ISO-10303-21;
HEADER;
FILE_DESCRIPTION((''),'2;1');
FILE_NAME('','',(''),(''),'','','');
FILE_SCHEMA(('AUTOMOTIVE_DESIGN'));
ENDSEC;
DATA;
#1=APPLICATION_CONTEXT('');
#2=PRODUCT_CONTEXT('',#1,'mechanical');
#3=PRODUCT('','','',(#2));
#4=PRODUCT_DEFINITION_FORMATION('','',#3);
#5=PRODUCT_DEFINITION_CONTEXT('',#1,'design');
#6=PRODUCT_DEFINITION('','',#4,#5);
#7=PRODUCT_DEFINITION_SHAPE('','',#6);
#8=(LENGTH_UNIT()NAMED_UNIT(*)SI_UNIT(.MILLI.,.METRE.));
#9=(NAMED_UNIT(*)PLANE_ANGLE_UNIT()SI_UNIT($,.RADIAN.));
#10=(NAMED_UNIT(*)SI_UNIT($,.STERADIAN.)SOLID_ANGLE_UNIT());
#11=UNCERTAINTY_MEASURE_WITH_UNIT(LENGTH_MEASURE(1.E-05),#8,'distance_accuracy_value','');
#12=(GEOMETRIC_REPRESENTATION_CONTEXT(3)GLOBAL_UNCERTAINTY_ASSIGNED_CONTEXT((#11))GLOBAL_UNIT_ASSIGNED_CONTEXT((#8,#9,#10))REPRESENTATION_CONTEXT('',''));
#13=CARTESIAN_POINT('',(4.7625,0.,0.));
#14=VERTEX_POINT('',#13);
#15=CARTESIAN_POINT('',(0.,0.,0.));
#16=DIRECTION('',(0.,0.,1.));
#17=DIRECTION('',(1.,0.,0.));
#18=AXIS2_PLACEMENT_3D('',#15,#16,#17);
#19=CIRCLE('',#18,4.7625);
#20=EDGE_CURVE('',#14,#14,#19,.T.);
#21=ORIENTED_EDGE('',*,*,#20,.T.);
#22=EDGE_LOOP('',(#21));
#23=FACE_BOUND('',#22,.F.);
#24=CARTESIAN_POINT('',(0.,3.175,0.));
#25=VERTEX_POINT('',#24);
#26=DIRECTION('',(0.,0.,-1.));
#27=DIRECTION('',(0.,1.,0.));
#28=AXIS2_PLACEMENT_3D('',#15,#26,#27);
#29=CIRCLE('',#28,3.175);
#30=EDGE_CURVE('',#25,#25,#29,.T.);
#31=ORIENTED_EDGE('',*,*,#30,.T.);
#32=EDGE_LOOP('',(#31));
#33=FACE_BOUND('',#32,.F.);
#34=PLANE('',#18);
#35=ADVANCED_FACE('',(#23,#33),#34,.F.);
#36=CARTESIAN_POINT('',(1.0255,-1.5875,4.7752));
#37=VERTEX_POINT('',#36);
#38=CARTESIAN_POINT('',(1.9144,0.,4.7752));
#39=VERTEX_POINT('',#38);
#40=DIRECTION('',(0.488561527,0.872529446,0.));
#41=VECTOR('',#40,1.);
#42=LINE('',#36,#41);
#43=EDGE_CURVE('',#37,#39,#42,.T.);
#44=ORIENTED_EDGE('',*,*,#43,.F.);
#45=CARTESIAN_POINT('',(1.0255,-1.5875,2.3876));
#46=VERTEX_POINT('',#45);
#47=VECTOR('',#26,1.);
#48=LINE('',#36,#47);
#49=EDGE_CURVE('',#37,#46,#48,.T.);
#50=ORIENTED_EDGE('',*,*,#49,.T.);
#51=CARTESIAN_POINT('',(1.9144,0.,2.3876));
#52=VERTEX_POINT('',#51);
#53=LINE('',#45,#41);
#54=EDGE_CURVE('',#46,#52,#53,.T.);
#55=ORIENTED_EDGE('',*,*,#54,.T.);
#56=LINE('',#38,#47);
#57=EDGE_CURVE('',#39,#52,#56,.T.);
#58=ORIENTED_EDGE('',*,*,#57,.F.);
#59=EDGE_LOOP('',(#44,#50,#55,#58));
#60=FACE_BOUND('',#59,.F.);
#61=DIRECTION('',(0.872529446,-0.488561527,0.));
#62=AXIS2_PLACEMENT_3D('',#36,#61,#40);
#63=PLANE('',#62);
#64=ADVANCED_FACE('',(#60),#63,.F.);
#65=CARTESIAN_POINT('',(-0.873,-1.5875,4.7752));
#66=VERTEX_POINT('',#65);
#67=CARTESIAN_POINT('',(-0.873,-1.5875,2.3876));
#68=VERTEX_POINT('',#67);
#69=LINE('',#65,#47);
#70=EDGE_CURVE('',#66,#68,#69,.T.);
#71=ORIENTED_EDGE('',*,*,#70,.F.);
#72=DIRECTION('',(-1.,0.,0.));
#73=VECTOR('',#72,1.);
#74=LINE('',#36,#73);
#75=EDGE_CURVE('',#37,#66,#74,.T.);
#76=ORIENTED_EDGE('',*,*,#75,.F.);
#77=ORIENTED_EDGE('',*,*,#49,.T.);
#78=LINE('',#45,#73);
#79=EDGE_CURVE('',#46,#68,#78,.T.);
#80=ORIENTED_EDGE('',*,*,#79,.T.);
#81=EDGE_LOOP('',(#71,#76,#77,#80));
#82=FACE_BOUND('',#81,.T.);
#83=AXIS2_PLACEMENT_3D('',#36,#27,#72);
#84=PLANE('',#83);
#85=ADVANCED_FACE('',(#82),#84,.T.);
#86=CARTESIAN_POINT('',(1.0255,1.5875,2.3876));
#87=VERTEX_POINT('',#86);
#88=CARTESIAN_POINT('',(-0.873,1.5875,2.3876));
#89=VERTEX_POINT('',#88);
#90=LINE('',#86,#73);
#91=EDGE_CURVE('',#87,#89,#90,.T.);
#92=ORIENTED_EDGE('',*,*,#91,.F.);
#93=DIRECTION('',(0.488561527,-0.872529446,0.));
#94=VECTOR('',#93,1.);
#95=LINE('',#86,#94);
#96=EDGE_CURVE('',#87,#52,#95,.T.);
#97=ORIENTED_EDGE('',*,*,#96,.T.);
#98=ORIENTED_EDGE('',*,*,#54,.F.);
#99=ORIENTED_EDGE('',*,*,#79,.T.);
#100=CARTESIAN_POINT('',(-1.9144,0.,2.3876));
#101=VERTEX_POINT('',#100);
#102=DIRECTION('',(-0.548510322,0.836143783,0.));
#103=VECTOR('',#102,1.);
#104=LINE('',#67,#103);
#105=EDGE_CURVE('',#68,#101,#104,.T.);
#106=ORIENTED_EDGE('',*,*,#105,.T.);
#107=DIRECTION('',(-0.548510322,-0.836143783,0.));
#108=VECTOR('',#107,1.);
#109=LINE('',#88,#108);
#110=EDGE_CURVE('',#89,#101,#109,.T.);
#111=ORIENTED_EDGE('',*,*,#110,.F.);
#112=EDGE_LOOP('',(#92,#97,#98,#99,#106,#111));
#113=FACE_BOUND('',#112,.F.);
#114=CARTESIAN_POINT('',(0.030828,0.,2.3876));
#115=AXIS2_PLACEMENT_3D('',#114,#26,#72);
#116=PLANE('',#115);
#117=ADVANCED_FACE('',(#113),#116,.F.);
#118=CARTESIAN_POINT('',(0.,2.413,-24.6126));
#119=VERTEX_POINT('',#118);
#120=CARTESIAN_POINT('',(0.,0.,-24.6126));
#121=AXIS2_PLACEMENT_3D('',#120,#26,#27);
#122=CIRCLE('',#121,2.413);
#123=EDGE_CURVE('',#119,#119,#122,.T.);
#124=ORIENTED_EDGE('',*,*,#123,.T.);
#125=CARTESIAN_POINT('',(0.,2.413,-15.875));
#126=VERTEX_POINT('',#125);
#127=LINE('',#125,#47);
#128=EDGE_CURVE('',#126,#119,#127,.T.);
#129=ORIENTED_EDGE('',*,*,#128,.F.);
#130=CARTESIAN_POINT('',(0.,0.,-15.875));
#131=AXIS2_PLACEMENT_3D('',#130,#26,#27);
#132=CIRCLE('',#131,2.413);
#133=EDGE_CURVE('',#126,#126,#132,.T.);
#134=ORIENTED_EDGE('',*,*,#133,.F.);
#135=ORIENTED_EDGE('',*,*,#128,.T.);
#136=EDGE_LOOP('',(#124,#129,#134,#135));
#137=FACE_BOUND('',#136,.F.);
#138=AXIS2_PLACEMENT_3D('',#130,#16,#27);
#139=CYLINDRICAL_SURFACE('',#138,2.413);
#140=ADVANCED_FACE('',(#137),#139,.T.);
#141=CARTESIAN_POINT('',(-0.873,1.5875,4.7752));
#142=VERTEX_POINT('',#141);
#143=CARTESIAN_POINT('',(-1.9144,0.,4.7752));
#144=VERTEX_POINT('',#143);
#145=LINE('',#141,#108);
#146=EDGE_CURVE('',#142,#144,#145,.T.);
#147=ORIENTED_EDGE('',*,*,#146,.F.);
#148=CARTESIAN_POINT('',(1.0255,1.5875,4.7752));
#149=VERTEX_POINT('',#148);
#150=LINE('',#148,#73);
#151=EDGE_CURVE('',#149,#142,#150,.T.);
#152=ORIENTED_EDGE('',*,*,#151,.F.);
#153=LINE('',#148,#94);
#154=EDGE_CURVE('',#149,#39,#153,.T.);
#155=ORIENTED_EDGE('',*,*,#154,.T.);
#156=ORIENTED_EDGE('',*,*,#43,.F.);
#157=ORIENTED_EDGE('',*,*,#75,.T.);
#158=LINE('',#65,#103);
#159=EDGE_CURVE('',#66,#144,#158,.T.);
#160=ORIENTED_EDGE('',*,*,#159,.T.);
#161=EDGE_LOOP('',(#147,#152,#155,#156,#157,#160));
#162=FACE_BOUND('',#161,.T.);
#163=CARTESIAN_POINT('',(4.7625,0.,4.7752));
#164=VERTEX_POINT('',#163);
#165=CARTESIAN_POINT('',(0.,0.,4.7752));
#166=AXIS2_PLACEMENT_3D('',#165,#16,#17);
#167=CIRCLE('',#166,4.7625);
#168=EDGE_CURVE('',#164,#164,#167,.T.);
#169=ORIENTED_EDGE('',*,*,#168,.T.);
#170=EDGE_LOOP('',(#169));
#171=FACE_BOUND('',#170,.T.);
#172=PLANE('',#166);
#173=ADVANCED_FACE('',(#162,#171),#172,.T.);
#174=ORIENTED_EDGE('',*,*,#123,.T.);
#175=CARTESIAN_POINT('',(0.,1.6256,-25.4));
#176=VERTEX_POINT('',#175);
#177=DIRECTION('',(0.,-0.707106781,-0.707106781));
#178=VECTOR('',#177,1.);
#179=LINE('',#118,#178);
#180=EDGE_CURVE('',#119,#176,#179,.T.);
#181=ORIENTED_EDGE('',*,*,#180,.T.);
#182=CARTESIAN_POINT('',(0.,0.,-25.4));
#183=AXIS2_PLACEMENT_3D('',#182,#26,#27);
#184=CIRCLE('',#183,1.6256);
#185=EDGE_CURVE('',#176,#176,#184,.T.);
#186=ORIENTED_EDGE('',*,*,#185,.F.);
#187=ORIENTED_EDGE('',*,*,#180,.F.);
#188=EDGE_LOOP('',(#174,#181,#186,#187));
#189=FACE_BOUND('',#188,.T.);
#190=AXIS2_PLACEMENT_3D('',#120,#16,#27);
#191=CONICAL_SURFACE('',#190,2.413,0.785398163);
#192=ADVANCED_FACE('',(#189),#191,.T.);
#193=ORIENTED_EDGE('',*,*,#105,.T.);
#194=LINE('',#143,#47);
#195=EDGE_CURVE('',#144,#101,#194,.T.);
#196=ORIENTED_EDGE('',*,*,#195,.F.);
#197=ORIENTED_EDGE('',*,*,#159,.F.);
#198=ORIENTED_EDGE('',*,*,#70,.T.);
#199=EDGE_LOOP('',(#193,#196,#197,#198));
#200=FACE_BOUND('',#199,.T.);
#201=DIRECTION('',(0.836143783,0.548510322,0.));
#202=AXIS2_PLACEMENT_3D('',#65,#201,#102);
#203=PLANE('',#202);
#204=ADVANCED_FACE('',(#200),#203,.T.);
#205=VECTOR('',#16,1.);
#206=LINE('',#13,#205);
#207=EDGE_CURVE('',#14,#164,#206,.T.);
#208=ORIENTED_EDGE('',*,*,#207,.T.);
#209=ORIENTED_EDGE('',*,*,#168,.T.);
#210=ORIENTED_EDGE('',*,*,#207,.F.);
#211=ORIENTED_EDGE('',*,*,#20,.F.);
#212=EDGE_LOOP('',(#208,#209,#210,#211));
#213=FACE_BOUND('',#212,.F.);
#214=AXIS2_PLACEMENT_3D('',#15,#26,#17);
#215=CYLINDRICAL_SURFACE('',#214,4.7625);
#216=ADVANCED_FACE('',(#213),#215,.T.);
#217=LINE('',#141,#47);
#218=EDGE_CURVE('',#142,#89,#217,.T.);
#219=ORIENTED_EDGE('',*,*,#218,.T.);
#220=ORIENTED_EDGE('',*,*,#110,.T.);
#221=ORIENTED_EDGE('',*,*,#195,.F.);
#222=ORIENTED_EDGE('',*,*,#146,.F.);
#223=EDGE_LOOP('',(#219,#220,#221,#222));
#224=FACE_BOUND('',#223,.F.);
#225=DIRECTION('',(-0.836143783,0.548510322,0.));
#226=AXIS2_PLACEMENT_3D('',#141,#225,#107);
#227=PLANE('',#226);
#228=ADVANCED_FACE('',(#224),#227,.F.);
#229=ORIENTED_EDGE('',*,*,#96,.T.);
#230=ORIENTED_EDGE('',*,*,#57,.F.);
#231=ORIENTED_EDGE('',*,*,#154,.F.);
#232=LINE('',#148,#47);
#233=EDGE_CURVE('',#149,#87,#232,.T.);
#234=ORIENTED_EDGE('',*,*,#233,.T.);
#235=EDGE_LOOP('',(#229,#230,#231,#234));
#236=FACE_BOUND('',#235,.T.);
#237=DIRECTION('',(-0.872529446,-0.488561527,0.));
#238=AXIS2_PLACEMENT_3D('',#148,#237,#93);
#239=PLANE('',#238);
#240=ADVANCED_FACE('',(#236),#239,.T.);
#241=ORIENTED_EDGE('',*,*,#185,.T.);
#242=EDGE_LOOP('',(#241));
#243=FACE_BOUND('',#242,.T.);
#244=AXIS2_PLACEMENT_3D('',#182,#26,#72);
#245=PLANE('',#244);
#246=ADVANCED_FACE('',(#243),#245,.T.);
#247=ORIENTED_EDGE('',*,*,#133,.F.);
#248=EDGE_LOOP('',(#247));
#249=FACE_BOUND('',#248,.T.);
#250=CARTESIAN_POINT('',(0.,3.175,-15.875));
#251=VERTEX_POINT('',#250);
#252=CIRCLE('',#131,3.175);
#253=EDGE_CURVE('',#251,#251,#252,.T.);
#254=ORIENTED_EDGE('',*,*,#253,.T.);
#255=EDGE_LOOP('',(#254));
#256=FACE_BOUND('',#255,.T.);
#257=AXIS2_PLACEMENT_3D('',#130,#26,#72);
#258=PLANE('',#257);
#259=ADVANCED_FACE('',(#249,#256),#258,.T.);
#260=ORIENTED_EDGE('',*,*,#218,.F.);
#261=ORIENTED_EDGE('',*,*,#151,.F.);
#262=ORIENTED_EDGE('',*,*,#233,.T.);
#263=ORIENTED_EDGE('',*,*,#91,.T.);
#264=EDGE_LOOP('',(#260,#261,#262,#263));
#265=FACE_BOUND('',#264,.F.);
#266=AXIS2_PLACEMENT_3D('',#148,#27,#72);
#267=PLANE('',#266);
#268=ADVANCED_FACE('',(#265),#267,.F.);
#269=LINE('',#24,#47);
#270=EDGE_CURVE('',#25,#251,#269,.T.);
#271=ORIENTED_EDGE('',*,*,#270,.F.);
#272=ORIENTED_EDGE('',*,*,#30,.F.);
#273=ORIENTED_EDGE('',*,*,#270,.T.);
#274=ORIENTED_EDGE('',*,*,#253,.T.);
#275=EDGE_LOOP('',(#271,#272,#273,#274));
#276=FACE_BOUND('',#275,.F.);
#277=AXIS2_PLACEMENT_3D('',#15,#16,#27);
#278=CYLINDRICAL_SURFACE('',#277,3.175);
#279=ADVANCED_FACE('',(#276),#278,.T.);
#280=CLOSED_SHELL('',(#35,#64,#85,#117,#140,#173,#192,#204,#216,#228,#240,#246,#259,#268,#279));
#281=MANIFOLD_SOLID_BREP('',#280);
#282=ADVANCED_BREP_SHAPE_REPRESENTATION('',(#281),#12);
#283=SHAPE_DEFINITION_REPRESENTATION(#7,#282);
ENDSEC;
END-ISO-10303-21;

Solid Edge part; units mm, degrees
sketch "Sketch1" plane through (0, 0, 0) normal (0, 0, 1) x (1, 0, 0)
  circle A0 centre (0, 0) radius 4.7625
  dimension "D1" = 9.525
extrude "Protrusion1" add sketch "Sketch1" along normal blind 4.7752
sketch "Sketch2" plane through (0, 0, 0) normal (0, 0, -1) x (0, 1, 0)
  circle A0 centre (0, 0) radius 3.175
  dimension "D1" = 6.35
extrude "Protrusion2" add sketch "Sketch2" along normal blind 15.875
sketch "Sketch3" plane through (0, 0, -15.875) normal (0, 0, -1) x (0, 1, 0)
  circle A0 centre (0, 0) radius 2.413
  dimension "D1" = 4.826
extrude "Protrusion3" add sketch "Sketch3" along normal blind 9.525
sketch "Sketch4" plane through (0, 0, 4.7752) normal (0, 0, 1) x (0, 1, 0)
  line L0 (-1.5875, 0.873) -> (0, 1.9144)
  line L1 (-1.5875, -1.0255) -> (-1.5875, 0.873)
  line L2 (-1.5875, -1.0255) -> (0, -1.9144)
  line L3 (1.5875, -1.0255) -> (0, -1.9144)
  line L4 (1.5875, -1.0255) -> (1.5875, 0.873)
  line L5 (1.5875, 0.873) -> (0, 1.9144)
  dimension "D1" = 3.175
extrude "Cutout1" cut sketch "Sketch4" against normal blind 2.3876
chamfer "Chamfer1" distance 0.7874 angle 45 1 edges at (0, -2.413, -25.4)
properties part number "148525"
